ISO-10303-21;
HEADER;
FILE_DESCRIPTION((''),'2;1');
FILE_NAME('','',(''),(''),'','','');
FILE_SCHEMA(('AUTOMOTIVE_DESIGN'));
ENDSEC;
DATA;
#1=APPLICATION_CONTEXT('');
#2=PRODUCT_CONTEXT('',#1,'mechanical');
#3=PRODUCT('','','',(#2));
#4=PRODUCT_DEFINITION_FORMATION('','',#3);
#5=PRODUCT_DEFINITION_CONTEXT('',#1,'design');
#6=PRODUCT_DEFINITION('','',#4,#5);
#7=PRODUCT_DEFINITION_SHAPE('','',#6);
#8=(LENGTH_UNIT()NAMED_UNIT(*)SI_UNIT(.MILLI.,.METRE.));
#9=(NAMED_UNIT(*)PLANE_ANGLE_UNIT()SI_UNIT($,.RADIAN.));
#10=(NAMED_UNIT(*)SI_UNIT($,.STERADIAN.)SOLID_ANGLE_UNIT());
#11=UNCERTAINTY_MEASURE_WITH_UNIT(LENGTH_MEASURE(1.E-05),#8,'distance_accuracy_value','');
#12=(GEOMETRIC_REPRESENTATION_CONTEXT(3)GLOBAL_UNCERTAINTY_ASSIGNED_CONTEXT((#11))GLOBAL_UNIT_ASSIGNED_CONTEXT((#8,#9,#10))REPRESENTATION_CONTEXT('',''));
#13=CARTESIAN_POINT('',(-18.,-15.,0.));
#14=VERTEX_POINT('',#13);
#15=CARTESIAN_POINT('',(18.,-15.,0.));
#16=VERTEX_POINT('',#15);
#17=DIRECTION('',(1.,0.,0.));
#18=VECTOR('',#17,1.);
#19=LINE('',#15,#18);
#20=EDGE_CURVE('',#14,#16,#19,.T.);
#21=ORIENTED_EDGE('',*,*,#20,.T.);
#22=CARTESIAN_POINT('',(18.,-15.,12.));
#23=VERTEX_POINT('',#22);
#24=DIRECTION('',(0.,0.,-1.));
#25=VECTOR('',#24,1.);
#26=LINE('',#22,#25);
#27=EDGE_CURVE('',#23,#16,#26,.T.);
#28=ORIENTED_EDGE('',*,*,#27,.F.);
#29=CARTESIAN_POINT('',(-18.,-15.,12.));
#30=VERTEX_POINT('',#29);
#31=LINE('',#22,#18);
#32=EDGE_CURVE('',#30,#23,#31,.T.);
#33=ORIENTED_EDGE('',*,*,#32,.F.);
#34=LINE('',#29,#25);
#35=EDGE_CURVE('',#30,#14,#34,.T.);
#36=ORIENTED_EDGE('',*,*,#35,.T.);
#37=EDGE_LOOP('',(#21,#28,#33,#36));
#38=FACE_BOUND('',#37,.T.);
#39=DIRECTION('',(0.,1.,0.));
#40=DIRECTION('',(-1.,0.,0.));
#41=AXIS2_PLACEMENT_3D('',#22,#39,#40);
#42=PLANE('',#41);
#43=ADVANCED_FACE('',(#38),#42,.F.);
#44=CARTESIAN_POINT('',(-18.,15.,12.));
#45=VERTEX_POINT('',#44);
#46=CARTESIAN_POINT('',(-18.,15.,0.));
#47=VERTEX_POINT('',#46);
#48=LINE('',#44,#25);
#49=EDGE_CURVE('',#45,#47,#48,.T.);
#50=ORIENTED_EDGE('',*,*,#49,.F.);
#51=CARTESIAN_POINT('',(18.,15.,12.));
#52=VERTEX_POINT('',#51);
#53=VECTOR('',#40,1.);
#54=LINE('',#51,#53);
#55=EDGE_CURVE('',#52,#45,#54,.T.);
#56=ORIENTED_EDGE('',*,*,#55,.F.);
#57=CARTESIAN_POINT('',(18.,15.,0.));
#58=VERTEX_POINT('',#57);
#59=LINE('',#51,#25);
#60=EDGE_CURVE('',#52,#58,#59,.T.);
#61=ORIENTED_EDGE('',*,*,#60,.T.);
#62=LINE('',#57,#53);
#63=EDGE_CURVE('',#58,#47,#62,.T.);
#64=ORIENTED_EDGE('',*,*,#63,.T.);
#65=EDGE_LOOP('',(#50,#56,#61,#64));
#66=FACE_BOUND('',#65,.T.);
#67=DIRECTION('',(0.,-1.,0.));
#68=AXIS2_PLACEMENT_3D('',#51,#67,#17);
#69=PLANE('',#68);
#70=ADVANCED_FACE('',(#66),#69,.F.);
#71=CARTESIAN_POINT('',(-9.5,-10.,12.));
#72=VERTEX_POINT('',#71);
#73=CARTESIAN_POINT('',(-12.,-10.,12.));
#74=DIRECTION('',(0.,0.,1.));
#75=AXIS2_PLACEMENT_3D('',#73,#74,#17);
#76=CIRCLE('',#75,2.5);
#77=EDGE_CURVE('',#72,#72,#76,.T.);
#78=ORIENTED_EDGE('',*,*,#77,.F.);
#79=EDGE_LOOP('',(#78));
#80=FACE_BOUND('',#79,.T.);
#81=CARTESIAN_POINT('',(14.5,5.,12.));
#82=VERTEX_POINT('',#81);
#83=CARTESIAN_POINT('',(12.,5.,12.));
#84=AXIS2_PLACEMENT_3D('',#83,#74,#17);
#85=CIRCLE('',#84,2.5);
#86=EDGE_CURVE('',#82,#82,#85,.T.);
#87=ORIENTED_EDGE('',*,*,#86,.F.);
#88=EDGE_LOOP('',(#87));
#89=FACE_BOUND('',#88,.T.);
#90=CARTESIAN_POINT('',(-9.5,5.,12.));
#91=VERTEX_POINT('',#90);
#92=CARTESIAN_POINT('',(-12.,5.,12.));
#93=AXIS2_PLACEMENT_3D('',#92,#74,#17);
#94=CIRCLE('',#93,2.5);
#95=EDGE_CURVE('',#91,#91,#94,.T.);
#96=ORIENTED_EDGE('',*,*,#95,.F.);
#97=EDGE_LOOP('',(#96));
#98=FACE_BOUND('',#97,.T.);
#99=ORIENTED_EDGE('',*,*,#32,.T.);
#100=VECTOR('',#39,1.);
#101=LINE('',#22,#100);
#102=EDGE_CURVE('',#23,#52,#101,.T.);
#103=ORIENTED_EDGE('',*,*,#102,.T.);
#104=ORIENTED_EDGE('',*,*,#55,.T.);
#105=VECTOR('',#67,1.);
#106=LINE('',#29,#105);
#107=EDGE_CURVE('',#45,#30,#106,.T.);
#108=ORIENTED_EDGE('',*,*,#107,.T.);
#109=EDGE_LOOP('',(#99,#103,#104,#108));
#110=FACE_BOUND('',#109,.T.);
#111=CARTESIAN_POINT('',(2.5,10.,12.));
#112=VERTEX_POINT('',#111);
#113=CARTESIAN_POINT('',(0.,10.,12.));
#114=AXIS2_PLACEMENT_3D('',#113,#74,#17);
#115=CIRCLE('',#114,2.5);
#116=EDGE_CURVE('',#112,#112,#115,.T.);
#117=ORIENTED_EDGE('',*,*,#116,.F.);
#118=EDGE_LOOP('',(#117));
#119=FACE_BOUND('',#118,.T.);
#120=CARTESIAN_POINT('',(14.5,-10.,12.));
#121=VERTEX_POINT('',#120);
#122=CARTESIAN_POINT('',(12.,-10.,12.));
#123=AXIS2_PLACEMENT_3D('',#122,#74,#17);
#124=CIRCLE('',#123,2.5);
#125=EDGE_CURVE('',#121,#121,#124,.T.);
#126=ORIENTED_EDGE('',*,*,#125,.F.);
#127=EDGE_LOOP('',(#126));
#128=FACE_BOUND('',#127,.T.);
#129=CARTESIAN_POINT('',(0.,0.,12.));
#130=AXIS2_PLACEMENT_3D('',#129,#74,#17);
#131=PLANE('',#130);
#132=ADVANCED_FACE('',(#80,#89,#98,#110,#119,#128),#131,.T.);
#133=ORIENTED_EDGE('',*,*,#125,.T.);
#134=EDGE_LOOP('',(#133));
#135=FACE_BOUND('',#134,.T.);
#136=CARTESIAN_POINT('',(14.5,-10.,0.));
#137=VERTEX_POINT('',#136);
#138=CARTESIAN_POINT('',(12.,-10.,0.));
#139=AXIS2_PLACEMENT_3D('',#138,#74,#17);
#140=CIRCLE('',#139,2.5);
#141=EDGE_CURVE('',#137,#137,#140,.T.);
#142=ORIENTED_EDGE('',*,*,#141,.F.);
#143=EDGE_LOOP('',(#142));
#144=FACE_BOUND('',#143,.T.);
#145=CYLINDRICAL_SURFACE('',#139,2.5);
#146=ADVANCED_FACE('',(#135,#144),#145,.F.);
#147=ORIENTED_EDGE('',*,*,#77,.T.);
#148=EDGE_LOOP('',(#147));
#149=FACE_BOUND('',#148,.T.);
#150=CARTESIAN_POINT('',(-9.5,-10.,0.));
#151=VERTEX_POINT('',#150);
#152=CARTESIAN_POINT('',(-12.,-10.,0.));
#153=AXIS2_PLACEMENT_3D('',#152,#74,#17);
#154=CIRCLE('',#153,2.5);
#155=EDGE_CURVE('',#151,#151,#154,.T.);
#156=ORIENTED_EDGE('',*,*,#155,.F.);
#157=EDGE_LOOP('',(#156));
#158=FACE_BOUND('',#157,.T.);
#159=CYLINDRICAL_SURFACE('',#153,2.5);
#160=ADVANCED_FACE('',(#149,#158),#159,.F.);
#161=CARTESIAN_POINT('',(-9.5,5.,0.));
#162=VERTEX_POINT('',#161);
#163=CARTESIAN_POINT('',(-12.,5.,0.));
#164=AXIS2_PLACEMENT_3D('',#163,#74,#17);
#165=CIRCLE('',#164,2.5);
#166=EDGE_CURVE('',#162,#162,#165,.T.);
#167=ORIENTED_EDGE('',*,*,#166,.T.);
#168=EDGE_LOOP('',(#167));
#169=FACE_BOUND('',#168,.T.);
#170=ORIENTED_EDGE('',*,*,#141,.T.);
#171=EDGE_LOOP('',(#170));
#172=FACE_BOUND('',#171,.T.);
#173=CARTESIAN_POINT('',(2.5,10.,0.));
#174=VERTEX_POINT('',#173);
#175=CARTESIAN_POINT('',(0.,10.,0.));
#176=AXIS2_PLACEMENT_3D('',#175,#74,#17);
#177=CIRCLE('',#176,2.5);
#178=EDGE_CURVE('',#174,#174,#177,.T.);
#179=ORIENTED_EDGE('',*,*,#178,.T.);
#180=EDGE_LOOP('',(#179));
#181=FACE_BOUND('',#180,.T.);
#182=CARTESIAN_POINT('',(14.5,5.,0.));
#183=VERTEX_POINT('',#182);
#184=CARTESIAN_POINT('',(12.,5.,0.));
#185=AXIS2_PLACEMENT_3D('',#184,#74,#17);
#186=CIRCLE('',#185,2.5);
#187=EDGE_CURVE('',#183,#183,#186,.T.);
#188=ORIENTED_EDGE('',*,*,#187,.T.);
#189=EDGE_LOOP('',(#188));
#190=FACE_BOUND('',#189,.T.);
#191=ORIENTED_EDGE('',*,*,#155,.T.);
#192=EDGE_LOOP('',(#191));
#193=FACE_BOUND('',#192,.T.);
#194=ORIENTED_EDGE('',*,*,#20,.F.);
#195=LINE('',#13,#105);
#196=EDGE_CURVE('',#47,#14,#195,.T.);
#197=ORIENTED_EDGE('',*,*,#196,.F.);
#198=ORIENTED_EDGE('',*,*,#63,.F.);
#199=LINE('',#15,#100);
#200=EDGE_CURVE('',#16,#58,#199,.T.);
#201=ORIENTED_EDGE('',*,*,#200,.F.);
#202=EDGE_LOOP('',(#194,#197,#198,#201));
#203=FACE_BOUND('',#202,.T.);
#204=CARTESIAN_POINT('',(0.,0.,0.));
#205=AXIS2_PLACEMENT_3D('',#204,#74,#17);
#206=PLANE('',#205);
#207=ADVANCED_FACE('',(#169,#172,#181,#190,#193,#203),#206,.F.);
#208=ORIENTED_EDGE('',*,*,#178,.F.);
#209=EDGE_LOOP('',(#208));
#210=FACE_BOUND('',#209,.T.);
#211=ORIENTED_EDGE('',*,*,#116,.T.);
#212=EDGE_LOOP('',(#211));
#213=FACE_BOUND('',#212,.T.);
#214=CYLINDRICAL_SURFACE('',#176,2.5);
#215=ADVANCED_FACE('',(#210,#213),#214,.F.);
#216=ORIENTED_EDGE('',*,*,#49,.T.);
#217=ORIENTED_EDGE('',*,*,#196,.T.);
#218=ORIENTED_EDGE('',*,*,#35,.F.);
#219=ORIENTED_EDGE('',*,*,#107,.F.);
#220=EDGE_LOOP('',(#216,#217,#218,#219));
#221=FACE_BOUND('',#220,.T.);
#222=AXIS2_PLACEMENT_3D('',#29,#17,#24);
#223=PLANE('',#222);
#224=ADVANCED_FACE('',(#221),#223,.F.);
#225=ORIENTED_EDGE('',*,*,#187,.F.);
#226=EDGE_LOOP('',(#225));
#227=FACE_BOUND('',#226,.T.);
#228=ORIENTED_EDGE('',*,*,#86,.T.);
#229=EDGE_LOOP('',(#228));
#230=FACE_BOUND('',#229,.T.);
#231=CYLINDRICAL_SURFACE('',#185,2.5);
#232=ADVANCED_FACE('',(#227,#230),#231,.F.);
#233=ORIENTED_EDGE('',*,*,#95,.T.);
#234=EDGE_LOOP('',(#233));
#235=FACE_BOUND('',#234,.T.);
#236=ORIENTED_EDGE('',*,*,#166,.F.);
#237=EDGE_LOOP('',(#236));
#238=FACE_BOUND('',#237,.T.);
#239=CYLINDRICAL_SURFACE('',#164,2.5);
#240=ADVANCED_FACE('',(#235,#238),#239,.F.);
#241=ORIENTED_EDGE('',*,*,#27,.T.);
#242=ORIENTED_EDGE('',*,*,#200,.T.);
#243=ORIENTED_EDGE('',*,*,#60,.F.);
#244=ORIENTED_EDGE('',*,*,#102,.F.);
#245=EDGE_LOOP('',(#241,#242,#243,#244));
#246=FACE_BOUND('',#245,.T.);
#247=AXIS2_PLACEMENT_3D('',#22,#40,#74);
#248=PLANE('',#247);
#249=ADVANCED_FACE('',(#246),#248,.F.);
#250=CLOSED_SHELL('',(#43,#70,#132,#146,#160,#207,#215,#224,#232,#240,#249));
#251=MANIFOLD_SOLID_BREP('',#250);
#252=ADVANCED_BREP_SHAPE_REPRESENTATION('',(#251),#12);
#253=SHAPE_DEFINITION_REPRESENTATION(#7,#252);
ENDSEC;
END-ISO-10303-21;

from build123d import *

# Parameters (mm, degrees)
SKETCH_1_W          = 36
SKETCH_1_H          = 30
EXTRUDE_1_DEPTH     = 12
SKETCH_2_R          = 2.5
CUT_EXTRUDE_2_DEPTH = 12
SKETCH_3_R          = 2.5
CUT_EXTRUDE_3_DEPTH = 12


with BuildPart() as part:
    # 草图1 → 凸台-拉伸1 (new body)
    with BuildSketch(Plane.XY):
        Rectangle(SKETCH_1_W, SKETCH_1_H)
    extrude(amount=EXTRUDE_1_DEPTH)

    # 草图2 → 切除-拉伸2 (cut)
    with BuildSketch(Plane.XY.offset(12)):
        with Locations((-12, 5)):
            Circle(SKETCH_2_R)
        with Locations((12, 5)):
            Circle(SKETCH_2_R)
        with Locations((12, -10)):
            Circle(SKETCH_2_R)
        with Locations((-12, -10)):
            Circle(SKETCH_2_R)
    extrude(amount=-CUT_EXTRUDE_2_DEPTH, mode=Mode.SUBTRACT)

    # 草图3 → 切除-拉伸3 (cut)
    with BuildSketch(Plane.XY.offset(12)):
        with Locations((0, 10)):
            Circle(SKETCH_3_R)
    extrude(amount=-CUT_EXTRUDE_3_DEPTH, mode=Mode.SUBTRACT)


solid = part.part
